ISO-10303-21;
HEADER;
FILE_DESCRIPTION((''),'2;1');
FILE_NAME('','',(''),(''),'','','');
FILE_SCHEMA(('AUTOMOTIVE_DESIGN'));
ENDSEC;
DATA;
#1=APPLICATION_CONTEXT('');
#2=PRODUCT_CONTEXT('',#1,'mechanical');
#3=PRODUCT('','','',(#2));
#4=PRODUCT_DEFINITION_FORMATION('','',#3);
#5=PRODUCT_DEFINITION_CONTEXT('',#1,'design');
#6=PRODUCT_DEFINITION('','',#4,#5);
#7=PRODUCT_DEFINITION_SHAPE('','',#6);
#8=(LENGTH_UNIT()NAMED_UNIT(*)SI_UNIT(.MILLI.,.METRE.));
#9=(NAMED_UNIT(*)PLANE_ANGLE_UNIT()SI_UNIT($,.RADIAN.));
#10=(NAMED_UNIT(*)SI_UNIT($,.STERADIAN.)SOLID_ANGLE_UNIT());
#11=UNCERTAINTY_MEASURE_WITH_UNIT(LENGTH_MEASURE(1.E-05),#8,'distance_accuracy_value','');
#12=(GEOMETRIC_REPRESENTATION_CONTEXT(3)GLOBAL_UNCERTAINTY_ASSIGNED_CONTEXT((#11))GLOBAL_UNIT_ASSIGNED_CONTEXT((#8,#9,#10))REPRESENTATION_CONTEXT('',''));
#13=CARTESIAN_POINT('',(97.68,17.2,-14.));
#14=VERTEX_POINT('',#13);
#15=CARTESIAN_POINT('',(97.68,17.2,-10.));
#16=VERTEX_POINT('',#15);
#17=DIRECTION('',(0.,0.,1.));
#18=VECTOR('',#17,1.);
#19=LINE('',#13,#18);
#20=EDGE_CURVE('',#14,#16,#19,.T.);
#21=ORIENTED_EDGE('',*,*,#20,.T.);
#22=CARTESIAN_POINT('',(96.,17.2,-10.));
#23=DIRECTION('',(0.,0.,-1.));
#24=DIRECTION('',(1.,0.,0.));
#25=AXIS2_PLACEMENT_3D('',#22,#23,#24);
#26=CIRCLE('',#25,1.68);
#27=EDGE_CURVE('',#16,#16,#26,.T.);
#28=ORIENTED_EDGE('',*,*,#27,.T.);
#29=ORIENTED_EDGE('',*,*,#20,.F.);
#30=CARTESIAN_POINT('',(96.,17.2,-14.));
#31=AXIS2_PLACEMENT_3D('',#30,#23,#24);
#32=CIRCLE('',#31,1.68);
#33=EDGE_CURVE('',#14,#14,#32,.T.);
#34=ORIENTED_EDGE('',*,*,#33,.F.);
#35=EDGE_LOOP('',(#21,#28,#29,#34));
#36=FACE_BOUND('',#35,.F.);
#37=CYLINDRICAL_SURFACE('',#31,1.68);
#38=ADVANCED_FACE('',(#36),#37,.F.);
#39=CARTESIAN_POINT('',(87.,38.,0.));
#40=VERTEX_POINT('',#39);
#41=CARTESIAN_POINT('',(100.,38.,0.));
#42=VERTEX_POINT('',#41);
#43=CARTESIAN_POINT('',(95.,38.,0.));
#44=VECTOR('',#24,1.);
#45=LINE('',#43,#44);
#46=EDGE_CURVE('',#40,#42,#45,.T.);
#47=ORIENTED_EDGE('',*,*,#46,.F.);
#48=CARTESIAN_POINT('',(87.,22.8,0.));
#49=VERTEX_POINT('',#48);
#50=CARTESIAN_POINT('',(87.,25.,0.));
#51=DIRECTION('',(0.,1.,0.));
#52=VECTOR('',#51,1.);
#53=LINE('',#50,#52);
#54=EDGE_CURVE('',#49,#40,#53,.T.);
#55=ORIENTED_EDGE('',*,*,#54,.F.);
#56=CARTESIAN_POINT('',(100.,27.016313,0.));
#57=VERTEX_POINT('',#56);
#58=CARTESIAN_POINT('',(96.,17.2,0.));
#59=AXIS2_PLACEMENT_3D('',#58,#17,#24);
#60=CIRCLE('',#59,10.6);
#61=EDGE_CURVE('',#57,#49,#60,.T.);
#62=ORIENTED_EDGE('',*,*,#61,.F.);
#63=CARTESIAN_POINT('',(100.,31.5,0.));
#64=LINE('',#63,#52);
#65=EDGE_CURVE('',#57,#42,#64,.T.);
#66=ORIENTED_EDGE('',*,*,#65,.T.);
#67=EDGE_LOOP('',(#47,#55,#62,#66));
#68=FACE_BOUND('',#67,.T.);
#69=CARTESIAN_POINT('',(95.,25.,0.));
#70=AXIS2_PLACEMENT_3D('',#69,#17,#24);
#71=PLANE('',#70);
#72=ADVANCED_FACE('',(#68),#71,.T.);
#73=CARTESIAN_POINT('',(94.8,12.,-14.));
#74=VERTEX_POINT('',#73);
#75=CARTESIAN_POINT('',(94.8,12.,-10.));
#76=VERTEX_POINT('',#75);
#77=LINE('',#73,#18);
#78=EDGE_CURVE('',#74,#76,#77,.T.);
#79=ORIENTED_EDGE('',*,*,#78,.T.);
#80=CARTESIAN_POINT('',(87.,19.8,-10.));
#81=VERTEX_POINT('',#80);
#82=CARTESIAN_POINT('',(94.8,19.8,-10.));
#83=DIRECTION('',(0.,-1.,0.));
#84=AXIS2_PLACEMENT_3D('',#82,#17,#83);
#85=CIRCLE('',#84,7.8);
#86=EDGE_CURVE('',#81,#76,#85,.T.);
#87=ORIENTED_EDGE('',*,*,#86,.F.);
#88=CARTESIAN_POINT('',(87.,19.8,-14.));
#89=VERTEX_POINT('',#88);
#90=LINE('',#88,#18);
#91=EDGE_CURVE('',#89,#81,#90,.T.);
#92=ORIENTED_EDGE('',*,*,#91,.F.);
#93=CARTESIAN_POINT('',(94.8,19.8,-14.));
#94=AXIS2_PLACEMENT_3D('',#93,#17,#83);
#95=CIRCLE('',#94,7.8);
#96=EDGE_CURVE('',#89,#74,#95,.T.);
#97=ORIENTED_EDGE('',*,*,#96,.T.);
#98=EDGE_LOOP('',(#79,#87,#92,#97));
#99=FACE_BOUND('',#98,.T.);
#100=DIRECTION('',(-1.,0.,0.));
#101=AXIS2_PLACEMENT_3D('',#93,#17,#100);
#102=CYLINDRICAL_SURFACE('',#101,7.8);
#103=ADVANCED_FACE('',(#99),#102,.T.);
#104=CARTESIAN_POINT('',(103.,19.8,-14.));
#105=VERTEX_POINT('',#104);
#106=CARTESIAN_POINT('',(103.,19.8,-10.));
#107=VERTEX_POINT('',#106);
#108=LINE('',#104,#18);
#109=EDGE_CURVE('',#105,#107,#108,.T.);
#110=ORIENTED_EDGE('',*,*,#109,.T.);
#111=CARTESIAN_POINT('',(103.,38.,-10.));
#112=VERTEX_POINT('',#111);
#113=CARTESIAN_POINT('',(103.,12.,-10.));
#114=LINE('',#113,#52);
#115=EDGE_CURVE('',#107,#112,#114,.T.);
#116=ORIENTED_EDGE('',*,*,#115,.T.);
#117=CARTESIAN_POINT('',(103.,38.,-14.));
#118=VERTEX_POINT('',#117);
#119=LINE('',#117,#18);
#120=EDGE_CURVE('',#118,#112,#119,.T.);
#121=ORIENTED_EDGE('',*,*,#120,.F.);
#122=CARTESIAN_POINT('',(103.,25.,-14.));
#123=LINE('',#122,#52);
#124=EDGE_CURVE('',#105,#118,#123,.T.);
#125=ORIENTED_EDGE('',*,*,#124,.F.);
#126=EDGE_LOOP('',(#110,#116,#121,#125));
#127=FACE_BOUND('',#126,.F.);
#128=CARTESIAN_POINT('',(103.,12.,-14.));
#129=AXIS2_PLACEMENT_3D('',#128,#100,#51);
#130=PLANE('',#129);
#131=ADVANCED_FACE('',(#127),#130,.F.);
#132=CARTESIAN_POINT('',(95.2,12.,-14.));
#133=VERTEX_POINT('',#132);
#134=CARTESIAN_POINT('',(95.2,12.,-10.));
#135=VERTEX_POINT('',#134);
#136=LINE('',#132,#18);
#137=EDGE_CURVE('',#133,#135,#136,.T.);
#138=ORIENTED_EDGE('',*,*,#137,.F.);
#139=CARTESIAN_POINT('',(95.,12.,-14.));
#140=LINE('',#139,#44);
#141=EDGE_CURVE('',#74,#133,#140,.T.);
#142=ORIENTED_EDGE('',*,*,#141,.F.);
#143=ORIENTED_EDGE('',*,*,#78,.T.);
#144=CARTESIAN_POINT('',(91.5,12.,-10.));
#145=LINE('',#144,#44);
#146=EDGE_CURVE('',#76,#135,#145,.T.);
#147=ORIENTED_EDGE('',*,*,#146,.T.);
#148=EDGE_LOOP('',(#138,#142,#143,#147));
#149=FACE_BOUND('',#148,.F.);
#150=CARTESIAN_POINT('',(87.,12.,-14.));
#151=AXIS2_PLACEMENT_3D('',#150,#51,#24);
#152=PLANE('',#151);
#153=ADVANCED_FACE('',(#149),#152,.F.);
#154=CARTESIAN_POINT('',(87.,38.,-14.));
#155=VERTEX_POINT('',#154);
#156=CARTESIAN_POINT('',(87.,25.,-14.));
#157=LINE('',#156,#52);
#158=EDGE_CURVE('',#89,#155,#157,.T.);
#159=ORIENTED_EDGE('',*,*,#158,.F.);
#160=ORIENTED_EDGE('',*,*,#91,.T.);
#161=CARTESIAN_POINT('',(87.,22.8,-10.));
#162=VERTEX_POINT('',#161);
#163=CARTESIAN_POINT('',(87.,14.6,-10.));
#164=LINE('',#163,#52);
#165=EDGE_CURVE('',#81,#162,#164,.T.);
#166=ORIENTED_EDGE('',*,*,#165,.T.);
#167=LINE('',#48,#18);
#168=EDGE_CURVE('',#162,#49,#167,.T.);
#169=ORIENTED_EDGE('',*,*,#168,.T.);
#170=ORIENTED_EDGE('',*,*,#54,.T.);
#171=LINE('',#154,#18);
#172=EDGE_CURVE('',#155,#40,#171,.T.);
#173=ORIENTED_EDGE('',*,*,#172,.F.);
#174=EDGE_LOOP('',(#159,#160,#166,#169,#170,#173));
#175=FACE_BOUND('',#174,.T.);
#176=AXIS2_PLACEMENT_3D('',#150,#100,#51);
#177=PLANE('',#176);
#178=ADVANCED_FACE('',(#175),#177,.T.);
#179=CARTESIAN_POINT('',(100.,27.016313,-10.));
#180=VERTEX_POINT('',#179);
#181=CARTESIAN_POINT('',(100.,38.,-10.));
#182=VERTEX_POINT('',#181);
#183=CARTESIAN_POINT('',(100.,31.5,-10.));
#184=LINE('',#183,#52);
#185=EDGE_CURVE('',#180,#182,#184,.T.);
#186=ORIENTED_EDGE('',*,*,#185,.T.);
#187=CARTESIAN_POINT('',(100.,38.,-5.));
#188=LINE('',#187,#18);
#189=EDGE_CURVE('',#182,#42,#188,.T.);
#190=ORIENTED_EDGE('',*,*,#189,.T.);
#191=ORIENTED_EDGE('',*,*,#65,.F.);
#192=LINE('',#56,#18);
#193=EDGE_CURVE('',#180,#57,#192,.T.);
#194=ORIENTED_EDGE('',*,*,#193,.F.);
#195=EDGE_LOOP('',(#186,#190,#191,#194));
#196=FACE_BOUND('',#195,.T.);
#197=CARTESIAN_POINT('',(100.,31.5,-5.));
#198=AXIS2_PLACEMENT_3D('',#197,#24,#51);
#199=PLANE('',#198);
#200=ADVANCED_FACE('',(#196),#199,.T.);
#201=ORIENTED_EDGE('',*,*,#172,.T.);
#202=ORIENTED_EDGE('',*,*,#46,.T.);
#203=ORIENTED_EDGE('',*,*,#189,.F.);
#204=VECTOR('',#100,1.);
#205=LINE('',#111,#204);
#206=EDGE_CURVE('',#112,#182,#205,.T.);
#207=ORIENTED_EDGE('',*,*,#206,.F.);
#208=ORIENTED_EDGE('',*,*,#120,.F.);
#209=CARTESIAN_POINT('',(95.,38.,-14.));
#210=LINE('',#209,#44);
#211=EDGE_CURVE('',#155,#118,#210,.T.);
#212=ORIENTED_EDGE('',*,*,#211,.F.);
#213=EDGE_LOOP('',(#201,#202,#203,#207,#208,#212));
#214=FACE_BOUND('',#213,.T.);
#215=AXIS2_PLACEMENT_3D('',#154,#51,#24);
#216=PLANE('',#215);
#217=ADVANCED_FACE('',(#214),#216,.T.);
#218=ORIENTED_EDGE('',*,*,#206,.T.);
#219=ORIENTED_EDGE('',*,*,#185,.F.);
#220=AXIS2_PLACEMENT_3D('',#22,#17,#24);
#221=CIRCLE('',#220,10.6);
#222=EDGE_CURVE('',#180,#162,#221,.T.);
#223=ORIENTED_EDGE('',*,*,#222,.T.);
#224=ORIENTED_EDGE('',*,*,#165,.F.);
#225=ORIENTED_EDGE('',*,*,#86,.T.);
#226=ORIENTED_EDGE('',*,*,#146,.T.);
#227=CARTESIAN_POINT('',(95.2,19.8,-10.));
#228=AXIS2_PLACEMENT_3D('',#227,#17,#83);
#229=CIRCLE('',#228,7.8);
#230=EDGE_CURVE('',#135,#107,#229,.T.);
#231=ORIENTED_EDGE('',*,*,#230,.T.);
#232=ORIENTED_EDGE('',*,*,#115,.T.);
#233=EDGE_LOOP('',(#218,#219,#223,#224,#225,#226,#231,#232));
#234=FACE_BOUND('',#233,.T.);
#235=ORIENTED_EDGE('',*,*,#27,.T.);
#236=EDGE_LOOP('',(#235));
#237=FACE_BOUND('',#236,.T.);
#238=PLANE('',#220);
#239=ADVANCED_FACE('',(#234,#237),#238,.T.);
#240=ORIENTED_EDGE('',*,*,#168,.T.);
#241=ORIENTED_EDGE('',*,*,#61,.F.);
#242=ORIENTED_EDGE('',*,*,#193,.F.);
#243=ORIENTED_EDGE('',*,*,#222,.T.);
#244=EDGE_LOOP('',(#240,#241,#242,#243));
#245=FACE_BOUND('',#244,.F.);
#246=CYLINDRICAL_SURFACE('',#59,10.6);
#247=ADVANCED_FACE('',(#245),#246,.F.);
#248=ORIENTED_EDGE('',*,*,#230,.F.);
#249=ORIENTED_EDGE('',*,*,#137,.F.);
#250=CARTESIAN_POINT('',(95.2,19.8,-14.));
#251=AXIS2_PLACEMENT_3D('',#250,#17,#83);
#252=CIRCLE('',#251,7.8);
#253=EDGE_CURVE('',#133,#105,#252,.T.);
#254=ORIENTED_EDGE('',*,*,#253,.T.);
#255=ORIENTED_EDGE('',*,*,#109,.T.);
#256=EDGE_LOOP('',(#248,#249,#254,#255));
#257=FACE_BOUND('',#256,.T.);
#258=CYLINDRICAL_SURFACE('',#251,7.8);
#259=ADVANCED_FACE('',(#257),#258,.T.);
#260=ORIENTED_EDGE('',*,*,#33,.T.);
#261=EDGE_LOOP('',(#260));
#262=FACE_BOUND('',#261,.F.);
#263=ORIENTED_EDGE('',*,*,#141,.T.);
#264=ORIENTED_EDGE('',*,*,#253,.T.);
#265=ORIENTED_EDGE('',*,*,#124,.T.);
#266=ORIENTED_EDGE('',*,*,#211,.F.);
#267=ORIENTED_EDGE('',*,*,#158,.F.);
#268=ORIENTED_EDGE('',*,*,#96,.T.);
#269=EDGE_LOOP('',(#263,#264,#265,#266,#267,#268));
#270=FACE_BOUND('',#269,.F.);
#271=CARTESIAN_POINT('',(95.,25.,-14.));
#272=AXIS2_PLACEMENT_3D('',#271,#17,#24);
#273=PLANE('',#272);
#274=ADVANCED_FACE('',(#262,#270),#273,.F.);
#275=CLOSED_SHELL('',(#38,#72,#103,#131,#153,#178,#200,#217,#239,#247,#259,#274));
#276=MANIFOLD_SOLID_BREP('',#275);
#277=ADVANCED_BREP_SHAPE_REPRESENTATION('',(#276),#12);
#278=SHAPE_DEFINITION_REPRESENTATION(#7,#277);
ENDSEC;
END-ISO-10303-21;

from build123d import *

# Parameters (mm, degrees)
BOX004_W        = 16
BOX004_H        = 26
BOX004_DEPTH    = 14
SKETCH023_R     = 1.68
POCKET014_DEPTH = 19
SKETCH022_R     = 10.6
POCKET015_DEPTH = 10
SKETCH024_W     = 13
SKETCH024_H     = 10
POCKET016_DEPTH = 3
FILLET007_R     = 7.8


with BuildPart() as part:
    # Box004 → Box004 (new body)
    with BuildSketch(Plane(origin=(87, 12, -14), x_dir=(1, 0, 0), z_dir=(0, 0, 1))):
        with Locations((8, 13)):
            Rectangle(BOX004_W, BOX004_H)
    extrude(amount=BOX004_DEPTH)

    # Sketch023 → Pocket014 (cut)
    with BuildSketch(Plane(origin=(87, 12, -14), x_dir=(1, 0, 0), z_dir=(0, 0, -1))):
        with Locations((9, -5.2)):
            Circle(SKETCH023_R)
    extrude(amount=-POCKET014_DEPTH, mode=Mode.SUBTRACT)

    # Sketch022 → Pocket015 (cut)
    with BuildSketch(Plane(origin=(87, 12, 0), x_dir=(1, 0, 0), z_dir=(0, 0, 1))):
        with Locations((9, 5.2)):
            Circle(SKETCH022_R)
    extrude(amount=-POCKET015_DEPTH, mode=Mode.SUBTRACT)

    # Sketch024 → Pocket016 (cut)
    with BuildSketch(Plane(origin=(103, 12, -14), x_dir=(0, 1, 0), z_dir=(1, 0, 0))):
        with Locations((19.5, 9)):
            Rectangle(SKETCH024_W, SKETCH024_H)
    extrude(amount=-POCKET016_DEPTH, mode=Mode.SUBTRACT)

    # Fillet007
    fillet007_edges = [part.edges().sort_by_distance(p)[0] for p in [
        (87, 12, -12),
        (103, 12, -12),
    ]]
    fillet(fillet007_edges, radius=FILLET007_R)


solid = part.part
